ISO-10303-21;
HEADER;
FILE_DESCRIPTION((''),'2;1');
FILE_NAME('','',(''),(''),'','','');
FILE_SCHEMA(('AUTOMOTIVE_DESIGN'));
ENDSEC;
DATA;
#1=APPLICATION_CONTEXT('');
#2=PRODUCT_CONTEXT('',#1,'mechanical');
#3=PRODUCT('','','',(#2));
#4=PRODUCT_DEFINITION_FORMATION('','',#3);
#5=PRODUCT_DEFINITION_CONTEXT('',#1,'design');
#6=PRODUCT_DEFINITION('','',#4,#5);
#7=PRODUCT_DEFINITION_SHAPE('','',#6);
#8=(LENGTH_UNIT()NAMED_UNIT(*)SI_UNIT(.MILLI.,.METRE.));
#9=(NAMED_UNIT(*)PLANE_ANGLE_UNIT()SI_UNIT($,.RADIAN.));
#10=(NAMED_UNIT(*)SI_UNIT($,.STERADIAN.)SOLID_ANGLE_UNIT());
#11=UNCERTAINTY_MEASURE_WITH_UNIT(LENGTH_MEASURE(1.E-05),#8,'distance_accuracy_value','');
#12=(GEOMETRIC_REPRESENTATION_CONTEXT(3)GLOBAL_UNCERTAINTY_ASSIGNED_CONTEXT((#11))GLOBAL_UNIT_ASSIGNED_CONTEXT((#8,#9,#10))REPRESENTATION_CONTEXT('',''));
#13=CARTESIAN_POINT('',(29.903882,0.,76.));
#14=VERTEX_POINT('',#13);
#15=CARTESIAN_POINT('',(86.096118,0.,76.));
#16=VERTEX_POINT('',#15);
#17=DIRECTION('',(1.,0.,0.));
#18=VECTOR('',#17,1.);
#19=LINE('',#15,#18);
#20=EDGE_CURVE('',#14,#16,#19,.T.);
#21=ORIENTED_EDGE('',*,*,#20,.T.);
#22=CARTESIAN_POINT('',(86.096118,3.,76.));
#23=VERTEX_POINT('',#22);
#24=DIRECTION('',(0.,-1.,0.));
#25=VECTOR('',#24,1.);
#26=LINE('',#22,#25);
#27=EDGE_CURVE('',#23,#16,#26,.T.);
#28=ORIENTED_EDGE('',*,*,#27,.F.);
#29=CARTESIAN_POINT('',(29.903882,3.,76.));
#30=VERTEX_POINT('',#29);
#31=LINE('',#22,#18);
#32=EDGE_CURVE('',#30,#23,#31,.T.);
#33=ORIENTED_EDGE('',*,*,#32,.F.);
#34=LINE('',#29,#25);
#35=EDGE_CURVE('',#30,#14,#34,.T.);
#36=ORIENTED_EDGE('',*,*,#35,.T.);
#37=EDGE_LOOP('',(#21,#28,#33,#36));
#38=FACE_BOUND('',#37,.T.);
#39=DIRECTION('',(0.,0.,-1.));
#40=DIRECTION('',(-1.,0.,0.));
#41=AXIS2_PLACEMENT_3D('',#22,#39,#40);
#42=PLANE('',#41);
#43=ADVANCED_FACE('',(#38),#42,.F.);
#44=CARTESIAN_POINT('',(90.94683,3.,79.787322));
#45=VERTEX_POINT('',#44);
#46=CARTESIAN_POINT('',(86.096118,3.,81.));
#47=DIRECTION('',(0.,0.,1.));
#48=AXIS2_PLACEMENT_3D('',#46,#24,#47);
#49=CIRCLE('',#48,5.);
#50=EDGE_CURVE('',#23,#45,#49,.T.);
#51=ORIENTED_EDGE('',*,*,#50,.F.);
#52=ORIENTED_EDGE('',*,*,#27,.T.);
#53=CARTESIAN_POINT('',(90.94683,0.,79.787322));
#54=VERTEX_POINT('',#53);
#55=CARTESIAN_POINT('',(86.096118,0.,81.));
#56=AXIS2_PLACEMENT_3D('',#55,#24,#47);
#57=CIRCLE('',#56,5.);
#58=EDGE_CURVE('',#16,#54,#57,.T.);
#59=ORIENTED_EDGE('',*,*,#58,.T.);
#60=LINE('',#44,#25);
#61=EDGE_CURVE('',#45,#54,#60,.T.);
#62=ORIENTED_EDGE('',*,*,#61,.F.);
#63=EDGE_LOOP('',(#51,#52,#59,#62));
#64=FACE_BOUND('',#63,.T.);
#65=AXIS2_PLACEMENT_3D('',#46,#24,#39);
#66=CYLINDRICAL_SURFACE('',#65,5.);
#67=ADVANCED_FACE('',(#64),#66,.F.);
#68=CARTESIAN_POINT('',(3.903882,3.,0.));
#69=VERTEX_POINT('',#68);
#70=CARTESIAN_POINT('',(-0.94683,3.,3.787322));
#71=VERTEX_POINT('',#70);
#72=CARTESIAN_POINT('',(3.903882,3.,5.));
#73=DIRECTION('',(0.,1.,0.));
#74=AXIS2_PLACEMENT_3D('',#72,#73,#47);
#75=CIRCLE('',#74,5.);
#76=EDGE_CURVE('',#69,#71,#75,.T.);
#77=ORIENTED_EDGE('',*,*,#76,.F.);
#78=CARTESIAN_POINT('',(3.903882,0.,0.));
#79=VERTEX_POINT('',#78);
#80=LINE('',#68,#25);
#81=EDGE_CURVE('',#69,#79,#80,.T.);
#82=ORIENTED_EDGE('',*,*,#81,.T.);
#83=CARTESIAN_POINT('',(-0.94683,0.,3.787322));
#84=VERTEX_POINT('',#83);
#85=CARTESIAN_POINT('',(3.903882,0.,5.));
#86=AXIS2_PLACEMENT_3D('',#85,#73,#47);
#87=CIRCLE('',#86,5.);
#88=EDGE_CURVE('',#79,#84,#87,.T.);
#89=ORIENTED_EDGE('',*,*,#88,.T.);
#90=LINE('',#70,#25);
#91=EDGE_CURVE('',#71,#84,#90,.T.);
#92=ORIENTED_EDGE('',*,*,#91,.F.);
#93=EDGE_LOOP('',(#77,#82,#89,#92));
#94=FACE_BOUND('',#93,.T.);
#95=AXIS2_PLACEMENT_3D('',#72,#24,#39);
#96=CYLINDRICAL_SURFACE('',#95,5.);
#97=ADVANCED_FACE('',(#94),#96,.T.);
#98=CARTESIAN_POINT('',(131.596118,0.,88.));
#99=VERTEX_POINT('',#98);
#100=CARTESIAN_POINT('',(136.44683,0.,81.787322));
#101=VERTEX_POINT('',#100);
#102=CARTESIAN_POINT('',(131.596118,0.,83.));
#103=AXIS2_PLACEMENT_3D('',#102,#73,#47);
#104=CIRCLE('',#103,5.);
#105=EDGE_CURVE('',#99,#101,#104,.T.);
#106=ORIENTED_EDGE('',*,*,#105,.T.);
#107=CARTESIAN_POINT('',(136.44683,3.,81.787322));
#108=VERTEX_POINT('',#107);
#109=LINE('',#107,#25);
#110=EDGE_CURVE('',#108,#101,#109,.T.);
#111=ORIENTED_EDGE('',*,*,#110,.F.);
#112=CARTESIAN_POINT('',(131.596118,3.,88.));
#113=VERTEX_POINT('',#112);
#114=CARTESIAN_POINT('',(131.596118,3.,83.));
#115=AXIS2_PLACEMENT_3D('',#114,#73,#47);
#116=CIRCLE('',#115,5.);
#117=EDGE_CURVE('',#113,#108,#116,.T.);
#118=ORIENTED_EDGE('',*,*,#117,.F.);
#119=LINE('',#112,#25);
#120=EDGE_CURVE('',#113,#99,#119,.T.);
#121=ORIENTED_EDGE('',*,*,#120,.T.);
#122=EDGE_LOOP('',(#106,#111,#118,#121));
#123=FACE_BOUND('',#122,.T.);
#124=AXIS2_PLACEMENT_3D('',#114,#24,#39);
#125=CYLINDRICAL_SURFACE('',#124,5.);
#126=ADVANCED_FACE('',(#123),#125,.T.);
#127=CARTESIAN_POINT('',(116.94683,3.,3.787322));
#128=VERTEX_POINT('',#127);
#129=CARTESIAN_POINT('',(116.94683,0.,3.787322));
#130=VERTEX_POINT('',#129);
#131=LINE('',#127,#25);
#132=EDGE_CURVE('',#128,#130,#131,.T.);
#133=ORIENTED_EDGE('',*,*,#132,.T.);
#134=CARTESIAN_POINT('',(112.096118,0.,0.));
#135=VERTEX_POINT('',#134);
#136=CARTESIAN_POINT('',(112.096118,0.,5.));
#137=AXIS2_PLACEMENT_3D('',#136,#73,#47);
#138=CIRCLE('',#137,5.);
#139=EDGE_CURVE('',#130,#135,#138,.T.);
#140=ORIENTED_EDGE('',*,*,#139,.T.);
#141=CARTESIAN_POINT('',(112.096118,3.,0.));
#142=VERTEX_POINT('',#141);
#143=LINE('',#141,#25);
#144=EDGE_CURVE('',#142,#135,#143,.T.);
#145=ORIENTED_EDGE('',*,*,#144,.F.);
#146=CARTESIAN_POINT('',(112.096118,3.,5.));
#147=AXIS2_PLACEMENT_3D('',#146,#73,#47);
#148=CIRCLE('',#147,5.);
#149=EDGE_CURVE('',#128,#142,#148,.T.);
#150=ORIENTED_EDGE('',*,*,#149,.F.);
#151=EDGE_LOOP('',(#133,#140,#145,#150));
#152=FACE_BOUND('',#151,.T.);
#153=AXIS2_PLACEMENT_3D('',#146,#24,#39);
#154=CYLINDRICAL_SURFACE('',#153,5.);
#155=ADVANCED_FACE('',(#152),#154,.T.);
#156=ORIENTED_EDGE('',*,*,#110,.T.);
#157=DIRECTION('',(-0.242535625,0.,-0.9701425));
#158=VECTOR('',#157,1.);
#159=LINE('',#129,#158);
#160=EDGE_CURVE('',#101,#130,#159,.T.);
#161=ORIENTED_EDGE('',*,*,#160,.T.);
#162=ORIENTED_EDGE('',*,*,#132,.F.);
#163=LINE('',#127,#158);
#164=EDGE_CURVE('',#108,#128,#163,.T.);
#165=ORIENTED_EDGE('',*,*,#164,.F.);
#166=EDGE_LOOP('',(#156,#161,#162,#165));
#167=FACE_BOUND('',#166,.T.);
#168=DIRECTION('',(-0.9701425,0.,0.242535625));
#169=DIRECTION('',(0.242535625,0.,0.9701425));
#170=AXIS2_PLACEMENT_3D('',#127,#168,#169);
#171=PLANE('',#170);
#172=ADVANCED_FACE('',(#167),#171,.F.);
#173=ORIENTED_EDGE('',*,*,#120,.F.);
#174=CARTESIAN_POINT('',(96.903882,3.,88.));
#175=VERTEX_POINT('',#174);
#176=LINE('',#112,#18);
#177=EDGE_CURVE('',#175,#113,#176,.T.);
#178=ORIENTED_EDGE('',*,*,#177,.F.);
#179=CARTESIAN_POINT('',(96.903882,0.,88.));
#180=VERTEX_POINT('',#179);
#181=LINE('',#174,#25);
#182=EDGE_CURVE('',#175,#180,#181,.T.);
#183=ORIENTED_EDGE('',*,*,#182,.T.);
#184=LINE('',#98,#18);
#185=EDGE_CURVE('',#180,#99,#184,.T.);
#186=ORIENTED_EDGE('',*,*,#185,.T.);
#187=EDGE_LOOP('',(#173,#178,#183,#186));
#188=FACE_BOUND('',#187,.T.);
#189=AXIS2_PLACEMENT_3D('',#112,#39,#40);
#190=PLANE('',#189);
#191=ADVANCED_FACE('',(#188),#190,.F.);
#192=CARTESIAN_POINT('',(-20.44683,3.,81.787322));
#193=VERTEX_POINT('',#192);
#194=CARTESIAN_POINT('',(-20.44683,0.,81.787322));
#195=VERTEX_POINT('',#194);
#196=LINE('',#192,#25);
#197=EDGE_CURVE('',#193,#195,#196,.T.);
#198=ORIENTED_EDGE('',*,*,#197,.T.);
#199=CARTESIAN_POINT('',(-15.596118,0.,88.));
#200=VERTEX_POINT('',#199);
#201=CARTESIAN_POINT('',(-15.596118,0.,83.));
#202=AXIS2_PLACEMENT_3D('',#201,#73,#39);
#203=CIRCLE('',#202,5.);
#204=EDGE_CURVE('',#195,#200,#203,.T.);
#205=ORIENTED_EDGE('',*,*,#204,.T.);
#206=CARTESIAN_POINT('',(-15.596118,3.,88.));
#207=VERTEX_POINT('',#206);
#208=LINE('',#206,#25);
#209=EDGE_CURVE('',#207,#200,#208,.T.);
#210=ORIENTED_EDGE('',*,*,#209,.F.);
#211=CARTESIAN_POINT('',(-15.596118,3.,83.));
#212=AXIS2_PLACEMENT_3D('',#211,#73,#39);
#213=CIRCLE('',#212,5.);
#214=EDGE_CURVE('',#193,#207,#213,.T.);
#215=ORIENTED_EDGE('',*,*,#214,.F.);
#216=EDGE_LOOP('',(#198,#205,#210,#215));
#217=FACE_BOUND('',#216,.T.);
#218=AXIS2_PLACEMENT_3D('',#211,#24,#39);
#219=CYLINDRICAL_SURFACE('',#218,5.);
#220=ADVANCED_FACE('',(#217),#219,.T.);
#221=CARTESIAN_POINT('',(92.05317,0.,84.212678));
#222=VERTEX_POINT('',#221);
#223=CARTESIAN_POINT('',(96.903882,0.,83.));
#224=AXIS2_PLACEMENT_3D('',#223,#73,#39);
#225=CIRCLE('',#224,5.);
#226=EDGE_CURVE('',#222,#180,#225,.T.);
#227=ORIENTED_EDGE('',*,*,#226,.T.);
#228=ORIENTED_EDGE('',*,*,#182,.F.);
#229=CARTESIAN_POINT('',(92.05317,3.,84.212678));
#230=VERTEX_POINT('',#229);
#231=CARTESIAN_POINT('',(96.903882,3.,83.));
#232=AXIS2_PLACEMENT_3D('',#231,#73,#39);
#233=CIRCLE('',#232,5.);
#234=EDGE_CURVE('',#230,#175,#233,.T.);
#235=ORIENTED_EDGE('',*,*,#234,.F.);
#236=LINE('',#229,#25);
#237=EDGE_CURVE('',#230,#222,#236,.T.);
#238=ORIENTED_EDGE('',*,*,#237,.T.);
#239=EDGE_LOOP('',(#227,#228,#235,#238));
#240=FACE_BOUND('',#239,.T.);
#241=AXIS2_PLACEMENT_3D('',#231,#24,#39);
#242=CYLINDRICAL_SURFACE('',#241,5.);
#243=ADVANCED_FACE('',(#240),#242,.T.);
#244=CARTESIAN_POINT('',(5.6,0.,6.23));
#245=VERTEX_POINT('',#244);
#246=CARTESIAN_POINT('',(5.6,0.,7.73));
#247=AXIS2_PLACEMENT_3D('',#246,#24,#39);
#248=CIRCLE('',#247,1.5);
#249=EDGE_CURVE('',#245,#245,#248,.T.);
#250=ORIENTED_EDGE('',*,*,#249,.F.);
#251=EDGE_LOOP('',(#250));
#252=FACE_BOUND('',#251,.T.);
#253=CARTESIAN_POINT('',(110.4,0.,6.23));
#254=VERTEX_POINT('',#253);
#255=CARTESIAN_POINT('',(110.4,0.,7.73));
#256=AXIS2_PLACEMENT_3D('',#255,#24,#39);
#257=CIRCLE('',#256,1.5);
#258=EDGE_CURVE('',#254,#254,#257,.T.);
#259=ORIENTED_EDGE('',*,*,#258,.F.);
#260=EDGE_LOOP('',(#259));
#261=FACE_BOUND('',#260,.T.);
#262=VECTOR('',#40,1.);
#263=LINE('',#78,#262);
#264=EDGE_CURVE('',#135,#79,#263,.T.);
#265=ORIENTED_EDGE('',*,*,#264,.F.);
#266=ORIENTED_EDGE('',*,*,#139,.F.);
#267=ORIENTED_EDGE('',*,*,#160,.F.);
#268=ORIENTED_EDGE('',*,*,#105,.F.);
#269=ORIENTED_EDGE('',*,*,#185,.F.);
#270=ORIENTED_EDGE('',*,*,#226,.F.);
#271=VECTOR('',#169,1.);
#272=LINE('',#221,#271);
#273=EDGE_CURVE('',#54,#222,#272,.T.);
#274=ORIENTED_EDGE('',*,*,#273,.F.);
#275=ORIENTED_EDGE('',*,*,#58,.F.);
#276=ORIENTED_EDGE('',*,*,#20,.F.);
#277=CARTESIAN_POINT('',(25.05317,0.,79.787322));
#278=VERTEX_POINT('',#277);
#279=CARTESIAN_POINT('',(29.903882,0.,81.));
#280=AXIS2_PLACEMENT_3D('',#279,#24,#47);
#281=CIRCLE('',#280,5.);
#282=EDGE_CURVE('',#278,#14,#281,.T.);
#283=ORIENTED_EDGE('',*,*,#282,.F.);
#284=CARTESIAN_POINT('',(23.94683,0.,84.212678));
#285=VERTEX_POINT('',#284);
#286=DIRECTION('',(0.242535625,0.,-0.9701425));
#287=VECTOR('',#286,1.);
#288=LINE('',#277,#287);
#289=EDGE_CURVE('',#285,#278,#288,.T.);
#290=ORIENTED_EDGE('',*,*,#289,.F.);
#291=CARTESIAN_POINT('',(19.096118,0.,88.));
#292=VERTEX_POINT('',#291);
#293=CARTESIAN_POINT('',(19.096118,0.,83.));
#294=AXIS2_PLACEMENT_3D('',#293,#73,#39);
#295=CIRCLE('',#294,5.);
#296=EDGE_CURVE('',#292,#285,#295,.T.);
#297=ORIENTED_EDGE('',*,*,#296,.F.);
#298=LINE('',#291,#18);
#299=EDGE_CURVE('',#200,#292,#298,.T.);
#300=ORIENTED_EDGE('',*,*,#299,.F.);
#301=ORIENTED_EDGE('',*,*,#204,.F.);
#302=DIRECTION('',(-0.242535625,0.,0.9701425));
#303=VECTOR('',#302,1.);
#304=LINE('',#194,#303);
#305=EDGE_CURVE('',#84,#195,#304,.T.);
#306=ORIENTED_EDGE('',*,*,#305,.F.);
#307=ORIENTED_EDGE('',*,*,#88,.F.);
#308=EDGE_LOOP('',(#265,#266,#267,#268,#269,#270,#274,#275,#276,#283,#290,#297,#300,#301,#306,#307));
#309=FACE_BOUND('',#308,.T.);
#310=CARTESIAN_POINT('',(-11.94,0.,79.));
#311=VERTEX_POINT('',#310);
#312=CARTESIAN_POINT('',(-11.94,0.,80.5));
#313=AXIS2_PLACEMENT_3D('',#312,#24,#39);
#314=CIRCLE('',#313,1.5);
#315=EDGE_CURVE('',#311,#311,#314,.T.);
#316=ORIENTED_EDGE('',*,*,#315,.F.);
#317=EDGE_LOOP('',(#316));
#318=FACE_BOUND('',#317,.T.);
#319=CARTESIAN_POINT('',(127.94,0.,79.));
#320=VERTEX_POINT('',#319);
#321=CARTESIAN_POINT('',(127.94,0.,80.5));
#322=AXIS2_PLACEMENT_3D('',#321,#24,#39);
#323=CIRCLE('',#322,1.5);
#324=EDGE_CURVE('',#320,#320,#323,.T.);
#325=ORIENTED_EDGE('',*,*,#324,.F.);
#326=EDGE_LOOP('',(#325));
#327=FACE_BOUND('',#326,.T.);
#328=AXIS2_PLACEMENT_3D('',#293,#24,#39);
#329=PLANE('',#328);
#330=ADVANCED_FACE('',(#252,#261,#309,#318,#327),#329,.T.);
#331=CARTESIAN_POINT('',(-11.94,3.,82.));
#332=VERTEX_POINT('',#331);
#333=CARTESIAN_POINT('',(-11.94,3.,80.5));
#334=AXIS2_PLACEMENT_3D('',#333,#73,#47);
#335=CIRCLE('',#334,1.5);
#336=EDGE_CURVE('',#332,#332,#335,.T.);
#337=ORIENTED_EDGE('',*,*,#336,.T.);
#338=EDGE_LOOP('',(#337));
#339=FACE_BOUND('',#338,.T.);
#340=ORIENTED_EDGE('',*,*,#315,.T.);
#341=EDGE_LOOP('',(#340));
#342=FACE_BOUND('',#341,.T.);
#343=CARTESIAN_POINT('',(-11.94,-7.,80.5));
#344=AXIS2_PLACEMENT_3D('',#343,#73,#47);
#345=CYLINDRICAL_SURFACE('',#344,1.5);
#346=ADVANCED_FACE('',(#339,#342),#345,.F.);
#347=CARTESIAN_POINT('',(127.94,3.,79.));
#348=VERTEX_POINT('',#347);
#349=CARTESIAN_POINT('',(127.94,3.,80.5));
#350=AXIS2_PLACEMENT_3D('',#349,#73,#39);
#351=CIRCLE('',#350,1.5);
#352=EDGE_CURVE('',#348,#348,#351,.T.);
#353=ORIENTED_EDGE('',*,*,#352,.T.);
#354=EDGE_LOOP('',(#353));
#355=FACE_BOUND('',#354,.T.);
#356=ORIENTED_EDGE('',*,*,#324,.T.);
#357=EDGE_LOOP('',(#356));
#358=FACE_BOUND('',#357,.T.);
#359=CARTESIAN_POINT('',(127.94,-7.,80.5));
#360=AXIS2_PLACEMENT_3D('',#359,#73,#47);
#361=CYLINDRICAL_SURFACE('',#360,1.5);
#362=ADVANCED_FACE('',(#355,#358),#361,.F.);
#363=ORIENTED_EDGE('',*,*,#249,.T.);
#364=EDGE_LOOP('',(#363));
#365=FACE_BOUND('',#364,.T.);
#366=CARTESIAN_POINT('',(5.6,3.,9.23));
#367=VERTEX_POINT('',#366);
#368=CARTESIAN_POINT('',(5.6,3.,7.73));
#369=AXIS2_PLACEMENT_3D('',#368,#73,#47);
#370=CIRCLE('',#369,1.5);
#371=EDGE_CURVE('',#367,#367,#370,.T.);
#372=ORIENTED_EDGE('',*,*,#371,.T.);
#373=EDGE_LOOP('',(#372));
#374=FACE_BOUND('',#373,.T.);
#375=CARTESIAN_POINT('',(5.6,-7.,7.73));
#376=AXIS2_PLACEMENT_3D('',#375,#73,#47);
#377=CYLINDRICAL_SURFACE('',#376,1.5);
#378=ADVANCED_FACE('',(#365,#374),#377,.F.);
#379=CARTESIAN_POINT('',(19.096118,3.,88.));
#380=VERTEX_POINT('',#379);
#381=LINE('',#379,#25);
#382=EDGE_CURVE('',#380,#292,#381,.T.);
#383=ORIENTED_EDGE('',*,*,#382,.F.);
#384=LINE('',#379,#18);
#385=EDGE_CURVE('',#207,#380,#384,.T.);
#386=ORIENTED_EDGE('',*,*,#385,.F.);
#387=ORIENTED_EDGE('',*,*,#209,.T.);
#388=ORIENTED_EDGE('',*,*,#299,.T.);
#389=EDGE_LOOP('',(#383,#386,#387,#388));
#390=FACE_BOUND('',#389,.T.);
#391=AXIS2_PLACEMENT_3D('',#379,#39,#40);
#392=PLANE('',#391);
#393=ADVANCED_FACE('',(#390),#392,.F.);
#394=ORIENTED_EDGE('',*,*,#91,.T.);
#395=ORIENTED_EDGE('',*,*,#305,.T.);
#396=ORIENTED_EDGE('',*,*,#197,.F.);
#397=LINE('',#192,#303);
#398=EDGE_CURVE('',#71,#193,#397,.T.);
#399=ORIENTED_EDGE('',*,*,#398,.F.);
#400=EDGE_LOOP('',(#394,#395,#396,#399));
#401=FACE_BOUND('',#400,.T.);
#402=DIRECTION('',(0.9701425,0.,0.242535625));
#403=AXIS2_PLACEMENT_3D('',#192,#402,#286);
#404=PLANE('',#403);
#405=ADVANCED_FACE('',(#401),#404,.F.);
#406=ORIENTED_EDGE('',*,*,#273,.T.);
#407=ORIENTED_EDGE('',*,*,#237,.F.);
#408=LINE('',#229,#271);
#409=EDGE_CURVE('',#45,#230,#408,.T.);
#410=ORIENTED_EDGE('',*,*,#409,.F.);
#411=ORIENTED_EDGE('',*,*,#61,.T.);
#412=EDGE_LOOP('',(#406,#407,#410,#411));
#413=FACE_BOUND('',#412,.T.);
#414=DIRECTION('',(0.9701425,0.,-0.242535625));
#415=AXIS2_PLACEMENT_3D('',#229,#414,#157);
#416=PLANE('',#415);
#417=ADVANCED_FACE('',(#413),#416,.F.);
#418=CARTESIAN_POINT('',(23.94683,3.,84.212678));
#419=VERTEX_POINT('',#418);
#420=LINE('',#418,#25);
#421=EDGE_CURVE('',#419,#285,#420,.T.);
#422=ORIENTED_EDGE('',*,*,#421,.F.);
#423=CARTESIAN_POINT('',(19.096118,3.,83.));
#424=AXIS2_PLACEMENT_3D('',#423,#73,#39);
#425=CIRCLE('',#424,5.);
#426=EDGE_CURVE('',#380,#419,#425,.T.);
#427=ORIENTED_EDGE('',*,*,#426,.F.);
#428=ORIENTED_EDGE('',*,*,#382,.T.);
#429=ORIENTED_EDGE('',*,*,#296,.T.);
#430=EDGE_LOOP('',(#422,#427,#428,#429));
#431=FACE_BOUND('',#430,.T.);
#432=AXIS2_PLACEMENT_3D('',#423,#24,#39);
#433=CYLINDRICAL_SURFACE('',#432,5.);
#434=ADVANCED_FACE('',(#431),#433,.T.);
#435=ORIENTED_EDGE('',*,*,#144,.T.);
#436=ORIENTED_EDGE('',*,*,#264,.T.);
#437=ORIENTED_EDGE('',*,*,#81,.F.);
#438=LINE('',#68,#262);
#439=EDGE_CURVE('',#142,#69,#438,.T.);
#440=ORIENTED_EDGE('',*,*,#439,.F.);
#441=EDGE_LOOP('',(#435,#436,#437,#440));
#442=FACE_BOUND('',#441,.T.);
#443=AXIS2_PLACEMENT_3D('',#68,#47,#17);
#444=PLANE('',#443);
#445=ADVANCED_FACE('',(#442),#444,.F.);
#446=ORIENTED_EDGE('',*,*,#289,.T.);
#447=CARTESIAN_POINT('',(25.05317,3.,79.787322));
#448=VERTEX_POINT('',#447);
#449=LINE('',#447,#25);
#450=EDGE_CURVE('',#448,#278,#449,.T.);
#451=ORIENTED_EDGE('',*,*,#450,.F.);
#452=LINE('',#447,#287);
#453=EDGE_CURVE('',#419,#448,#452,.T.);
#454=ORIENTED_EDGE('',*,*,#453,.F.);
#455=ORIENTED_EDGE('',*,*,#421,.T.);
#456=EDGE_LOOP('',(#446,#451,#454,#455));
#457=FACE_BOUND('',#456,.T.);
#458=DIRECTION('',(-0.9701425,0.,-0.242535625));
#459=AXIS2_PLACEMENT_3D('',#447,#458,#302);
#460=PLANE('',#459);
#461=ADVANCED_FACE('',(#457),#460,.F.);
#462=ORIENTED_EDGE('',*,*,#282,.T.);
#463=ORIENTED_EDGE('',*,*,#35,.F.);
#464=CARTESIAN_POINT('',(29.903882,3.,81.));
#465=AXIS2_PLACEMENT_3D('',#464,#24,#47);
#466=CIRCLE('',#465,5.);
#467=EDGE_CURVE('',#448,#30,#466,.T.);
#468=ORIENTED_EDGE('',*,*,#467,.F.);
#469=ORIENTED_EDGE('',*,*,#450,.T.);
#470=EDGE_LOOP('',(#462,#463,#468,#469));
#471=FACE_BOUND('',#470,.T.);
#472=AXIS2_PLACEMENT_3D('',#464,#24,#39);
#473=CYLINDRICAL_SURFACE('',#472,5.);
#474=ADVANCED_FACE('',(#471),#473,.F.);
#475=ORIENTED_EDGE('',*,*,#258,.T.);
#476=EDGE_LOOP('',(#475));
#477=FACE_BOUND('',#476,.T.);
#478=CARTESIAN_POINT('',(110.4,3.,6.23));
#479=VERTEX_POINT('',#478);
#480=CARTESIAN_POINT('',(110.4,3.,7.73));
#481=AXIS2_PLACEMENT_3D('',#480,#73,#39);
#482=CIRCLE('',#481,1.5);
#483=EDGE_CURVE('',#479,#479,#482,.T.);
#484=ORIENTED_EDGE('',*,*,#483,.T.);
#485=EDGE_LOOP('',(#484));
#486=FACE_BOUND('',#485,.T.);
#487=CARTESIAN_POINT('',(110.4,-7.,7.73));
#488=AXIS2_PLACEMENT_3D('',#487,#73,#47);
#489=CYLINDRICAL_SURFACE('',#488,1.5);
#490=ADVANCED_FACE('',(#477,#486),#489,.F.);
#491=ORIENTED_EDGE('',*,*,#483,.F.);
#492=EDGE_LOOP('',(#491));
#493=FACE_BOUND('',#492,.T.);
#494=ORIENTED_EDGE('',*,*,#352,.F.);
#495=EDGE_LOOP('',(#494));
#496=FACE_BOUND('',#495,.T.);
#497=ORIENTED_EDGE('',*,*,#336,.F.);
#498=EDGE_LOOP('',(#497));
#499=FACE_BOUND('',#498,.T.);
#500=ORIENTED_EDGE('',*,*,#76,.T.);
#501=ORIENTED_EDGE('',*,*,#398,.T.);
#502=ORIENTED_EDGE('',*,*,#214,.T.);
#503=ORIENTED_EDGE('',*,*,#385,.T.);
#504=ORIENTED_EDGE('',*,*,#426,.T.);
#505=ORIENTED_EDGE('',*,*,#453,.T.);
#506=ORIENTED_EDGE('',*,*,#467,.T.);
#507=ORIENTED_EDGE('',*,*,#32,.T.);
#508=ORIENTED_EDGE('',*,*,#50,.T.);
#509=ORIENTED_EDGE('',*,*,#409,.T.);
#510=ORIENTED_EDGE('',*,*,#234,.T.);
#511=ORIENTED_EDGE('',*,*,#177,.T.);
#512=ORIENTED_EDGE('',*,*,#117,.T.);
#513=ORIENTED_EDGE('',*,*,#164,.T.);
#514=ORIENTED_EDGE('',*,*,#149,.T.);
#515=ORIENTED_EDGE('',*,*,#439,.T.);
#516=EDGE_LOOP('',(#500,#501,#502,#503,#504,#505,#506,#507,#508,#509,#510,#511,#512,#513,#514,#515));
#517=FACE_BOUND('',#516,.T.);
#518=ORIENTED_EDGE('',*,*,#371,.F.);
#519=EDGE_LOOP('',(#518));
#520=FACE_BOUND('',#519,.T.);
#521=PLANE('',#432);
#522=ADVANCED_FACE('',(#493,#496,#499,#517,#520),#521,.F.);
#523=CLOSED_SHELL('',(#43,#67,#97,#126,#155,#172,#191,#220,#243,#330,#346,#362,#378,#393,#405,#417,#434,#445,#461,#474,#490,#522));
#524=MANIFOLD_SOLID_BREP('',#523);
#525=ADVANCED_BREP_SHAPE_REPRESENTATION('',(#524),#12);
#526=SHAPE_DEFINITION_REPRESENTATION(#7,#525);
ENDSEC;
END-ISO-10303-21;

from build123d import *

# Parameters (mm, degrees)
Y_KSEKLIK_EKSTR_ZYON1_DEPTH = 3
IZIM2_R                     = 1.5
KES_EKSTR_ZYON1_DEPTH       = 10
IZIM4_R                     = 1.5
KES_EKSTR_ZYON2_DEPTH       = 10


with BuildPart() as part:
    # Çizim1 → Yükseklik-Ekstrüzyon1 (new body)
    with BuildSketch(Plane(origin=(0, 0, 0), x_dir=(1, 0, 0), z_dir=(0, 1, 0))):
        with BuildLine():
            Line((3.903882032, 0), (112.096117968, 0))
            ThreePointArc((112.096117968, 0), (115.173179015, -1.05897281), (116.946830469, -3.787321875))
            Line((116.946830469, -3.787321875), (136.446830469, -81.787321875))
            ThreePointArc((136.446830469, -81.787321875), (135.537145158, -86.077061047), (131.596117968, -88))
            Line((131.596117968, -88), (96.903882032, -88))
            ThreePointArc((96.903882032, -88), (93.826820985, -86.94102719), (92.053169531, -84.212678125))
            Line((92.053169531, -84.212678125), (90.946830469, -79.787321875))
            ThreePointArc((90.946830469, -79.787321875), (89.173179015, -77.05897281), (86.096117968, -76))
            Line((86.096117968, -76), (29.903882032, -76))
            ThreePointArc((29.903882032, -76), (26.826820985, -77.05897281), (25.053169531, -79.787321875))
            Line((25.053169531, -79.787321875), (23.946830469, -84.212678125))
            ThreePointArc((23.946830469, -84.212678125), (22.173179015, -86.94102719), (19.096117968, -88))
            Line((19.096117968, -88), (-15.596117968, -88))
            ThreePointArc((-15.596117968, -88), (-19.537145158, -86.077061047), (-20.446830469, -81.787321875))
            Line((-20.446830469, -81.787321875), (-0.946830469, -3.787321875))
            ThreePointArc((-0.946830469, -3.787321875), (0.826820985, -1.05897281), (3.903882032, 0))
        make_face()
    extrude(amount=Y_KSEKLIK_EKSTR_ZYON1_DEPTH)

    # Çizim2 → Kes-Ekstrüzyon1 (cut)
    with BuildSketch(Plane(origin=(0, 3, 0), x_dir=(1, 0, 0), z_dir=(0, 1, 0))):
        with Locations(Location((5.6, -7.73, 0), (0, 0, 270))):
            Circle(IZIM2_R)
        with Locations(Location((110.4, -7.73, 0), (0, 0, 90))):
            Circle(IZIM2_R)
    extrude(amount=-KES_EKSTR_ZYON1_DEPTH, mode=Mode.SUBTRACT)

    # Çizim4 → Kes-Ekstrüzyon2 (cut)
    with BuildSketch(Plane(origin=(0, 3, 0), x_dir=(1, 0, 0), z_dir=(0, 1, 0))):
        with Locations(Location((-11.94, -80.5, 0), (0, 0, 270))):
            Circle(IZIM4_R)
        with Locations(Location((127.94, -80.5, 0), (0, 0, 90))):
            Circle(IZIM4_R)
    extrude(amount=-KES_EKSTR_ZYON2_DEPTH, mode=Mode.SUBTRACT)


solid = part.part
